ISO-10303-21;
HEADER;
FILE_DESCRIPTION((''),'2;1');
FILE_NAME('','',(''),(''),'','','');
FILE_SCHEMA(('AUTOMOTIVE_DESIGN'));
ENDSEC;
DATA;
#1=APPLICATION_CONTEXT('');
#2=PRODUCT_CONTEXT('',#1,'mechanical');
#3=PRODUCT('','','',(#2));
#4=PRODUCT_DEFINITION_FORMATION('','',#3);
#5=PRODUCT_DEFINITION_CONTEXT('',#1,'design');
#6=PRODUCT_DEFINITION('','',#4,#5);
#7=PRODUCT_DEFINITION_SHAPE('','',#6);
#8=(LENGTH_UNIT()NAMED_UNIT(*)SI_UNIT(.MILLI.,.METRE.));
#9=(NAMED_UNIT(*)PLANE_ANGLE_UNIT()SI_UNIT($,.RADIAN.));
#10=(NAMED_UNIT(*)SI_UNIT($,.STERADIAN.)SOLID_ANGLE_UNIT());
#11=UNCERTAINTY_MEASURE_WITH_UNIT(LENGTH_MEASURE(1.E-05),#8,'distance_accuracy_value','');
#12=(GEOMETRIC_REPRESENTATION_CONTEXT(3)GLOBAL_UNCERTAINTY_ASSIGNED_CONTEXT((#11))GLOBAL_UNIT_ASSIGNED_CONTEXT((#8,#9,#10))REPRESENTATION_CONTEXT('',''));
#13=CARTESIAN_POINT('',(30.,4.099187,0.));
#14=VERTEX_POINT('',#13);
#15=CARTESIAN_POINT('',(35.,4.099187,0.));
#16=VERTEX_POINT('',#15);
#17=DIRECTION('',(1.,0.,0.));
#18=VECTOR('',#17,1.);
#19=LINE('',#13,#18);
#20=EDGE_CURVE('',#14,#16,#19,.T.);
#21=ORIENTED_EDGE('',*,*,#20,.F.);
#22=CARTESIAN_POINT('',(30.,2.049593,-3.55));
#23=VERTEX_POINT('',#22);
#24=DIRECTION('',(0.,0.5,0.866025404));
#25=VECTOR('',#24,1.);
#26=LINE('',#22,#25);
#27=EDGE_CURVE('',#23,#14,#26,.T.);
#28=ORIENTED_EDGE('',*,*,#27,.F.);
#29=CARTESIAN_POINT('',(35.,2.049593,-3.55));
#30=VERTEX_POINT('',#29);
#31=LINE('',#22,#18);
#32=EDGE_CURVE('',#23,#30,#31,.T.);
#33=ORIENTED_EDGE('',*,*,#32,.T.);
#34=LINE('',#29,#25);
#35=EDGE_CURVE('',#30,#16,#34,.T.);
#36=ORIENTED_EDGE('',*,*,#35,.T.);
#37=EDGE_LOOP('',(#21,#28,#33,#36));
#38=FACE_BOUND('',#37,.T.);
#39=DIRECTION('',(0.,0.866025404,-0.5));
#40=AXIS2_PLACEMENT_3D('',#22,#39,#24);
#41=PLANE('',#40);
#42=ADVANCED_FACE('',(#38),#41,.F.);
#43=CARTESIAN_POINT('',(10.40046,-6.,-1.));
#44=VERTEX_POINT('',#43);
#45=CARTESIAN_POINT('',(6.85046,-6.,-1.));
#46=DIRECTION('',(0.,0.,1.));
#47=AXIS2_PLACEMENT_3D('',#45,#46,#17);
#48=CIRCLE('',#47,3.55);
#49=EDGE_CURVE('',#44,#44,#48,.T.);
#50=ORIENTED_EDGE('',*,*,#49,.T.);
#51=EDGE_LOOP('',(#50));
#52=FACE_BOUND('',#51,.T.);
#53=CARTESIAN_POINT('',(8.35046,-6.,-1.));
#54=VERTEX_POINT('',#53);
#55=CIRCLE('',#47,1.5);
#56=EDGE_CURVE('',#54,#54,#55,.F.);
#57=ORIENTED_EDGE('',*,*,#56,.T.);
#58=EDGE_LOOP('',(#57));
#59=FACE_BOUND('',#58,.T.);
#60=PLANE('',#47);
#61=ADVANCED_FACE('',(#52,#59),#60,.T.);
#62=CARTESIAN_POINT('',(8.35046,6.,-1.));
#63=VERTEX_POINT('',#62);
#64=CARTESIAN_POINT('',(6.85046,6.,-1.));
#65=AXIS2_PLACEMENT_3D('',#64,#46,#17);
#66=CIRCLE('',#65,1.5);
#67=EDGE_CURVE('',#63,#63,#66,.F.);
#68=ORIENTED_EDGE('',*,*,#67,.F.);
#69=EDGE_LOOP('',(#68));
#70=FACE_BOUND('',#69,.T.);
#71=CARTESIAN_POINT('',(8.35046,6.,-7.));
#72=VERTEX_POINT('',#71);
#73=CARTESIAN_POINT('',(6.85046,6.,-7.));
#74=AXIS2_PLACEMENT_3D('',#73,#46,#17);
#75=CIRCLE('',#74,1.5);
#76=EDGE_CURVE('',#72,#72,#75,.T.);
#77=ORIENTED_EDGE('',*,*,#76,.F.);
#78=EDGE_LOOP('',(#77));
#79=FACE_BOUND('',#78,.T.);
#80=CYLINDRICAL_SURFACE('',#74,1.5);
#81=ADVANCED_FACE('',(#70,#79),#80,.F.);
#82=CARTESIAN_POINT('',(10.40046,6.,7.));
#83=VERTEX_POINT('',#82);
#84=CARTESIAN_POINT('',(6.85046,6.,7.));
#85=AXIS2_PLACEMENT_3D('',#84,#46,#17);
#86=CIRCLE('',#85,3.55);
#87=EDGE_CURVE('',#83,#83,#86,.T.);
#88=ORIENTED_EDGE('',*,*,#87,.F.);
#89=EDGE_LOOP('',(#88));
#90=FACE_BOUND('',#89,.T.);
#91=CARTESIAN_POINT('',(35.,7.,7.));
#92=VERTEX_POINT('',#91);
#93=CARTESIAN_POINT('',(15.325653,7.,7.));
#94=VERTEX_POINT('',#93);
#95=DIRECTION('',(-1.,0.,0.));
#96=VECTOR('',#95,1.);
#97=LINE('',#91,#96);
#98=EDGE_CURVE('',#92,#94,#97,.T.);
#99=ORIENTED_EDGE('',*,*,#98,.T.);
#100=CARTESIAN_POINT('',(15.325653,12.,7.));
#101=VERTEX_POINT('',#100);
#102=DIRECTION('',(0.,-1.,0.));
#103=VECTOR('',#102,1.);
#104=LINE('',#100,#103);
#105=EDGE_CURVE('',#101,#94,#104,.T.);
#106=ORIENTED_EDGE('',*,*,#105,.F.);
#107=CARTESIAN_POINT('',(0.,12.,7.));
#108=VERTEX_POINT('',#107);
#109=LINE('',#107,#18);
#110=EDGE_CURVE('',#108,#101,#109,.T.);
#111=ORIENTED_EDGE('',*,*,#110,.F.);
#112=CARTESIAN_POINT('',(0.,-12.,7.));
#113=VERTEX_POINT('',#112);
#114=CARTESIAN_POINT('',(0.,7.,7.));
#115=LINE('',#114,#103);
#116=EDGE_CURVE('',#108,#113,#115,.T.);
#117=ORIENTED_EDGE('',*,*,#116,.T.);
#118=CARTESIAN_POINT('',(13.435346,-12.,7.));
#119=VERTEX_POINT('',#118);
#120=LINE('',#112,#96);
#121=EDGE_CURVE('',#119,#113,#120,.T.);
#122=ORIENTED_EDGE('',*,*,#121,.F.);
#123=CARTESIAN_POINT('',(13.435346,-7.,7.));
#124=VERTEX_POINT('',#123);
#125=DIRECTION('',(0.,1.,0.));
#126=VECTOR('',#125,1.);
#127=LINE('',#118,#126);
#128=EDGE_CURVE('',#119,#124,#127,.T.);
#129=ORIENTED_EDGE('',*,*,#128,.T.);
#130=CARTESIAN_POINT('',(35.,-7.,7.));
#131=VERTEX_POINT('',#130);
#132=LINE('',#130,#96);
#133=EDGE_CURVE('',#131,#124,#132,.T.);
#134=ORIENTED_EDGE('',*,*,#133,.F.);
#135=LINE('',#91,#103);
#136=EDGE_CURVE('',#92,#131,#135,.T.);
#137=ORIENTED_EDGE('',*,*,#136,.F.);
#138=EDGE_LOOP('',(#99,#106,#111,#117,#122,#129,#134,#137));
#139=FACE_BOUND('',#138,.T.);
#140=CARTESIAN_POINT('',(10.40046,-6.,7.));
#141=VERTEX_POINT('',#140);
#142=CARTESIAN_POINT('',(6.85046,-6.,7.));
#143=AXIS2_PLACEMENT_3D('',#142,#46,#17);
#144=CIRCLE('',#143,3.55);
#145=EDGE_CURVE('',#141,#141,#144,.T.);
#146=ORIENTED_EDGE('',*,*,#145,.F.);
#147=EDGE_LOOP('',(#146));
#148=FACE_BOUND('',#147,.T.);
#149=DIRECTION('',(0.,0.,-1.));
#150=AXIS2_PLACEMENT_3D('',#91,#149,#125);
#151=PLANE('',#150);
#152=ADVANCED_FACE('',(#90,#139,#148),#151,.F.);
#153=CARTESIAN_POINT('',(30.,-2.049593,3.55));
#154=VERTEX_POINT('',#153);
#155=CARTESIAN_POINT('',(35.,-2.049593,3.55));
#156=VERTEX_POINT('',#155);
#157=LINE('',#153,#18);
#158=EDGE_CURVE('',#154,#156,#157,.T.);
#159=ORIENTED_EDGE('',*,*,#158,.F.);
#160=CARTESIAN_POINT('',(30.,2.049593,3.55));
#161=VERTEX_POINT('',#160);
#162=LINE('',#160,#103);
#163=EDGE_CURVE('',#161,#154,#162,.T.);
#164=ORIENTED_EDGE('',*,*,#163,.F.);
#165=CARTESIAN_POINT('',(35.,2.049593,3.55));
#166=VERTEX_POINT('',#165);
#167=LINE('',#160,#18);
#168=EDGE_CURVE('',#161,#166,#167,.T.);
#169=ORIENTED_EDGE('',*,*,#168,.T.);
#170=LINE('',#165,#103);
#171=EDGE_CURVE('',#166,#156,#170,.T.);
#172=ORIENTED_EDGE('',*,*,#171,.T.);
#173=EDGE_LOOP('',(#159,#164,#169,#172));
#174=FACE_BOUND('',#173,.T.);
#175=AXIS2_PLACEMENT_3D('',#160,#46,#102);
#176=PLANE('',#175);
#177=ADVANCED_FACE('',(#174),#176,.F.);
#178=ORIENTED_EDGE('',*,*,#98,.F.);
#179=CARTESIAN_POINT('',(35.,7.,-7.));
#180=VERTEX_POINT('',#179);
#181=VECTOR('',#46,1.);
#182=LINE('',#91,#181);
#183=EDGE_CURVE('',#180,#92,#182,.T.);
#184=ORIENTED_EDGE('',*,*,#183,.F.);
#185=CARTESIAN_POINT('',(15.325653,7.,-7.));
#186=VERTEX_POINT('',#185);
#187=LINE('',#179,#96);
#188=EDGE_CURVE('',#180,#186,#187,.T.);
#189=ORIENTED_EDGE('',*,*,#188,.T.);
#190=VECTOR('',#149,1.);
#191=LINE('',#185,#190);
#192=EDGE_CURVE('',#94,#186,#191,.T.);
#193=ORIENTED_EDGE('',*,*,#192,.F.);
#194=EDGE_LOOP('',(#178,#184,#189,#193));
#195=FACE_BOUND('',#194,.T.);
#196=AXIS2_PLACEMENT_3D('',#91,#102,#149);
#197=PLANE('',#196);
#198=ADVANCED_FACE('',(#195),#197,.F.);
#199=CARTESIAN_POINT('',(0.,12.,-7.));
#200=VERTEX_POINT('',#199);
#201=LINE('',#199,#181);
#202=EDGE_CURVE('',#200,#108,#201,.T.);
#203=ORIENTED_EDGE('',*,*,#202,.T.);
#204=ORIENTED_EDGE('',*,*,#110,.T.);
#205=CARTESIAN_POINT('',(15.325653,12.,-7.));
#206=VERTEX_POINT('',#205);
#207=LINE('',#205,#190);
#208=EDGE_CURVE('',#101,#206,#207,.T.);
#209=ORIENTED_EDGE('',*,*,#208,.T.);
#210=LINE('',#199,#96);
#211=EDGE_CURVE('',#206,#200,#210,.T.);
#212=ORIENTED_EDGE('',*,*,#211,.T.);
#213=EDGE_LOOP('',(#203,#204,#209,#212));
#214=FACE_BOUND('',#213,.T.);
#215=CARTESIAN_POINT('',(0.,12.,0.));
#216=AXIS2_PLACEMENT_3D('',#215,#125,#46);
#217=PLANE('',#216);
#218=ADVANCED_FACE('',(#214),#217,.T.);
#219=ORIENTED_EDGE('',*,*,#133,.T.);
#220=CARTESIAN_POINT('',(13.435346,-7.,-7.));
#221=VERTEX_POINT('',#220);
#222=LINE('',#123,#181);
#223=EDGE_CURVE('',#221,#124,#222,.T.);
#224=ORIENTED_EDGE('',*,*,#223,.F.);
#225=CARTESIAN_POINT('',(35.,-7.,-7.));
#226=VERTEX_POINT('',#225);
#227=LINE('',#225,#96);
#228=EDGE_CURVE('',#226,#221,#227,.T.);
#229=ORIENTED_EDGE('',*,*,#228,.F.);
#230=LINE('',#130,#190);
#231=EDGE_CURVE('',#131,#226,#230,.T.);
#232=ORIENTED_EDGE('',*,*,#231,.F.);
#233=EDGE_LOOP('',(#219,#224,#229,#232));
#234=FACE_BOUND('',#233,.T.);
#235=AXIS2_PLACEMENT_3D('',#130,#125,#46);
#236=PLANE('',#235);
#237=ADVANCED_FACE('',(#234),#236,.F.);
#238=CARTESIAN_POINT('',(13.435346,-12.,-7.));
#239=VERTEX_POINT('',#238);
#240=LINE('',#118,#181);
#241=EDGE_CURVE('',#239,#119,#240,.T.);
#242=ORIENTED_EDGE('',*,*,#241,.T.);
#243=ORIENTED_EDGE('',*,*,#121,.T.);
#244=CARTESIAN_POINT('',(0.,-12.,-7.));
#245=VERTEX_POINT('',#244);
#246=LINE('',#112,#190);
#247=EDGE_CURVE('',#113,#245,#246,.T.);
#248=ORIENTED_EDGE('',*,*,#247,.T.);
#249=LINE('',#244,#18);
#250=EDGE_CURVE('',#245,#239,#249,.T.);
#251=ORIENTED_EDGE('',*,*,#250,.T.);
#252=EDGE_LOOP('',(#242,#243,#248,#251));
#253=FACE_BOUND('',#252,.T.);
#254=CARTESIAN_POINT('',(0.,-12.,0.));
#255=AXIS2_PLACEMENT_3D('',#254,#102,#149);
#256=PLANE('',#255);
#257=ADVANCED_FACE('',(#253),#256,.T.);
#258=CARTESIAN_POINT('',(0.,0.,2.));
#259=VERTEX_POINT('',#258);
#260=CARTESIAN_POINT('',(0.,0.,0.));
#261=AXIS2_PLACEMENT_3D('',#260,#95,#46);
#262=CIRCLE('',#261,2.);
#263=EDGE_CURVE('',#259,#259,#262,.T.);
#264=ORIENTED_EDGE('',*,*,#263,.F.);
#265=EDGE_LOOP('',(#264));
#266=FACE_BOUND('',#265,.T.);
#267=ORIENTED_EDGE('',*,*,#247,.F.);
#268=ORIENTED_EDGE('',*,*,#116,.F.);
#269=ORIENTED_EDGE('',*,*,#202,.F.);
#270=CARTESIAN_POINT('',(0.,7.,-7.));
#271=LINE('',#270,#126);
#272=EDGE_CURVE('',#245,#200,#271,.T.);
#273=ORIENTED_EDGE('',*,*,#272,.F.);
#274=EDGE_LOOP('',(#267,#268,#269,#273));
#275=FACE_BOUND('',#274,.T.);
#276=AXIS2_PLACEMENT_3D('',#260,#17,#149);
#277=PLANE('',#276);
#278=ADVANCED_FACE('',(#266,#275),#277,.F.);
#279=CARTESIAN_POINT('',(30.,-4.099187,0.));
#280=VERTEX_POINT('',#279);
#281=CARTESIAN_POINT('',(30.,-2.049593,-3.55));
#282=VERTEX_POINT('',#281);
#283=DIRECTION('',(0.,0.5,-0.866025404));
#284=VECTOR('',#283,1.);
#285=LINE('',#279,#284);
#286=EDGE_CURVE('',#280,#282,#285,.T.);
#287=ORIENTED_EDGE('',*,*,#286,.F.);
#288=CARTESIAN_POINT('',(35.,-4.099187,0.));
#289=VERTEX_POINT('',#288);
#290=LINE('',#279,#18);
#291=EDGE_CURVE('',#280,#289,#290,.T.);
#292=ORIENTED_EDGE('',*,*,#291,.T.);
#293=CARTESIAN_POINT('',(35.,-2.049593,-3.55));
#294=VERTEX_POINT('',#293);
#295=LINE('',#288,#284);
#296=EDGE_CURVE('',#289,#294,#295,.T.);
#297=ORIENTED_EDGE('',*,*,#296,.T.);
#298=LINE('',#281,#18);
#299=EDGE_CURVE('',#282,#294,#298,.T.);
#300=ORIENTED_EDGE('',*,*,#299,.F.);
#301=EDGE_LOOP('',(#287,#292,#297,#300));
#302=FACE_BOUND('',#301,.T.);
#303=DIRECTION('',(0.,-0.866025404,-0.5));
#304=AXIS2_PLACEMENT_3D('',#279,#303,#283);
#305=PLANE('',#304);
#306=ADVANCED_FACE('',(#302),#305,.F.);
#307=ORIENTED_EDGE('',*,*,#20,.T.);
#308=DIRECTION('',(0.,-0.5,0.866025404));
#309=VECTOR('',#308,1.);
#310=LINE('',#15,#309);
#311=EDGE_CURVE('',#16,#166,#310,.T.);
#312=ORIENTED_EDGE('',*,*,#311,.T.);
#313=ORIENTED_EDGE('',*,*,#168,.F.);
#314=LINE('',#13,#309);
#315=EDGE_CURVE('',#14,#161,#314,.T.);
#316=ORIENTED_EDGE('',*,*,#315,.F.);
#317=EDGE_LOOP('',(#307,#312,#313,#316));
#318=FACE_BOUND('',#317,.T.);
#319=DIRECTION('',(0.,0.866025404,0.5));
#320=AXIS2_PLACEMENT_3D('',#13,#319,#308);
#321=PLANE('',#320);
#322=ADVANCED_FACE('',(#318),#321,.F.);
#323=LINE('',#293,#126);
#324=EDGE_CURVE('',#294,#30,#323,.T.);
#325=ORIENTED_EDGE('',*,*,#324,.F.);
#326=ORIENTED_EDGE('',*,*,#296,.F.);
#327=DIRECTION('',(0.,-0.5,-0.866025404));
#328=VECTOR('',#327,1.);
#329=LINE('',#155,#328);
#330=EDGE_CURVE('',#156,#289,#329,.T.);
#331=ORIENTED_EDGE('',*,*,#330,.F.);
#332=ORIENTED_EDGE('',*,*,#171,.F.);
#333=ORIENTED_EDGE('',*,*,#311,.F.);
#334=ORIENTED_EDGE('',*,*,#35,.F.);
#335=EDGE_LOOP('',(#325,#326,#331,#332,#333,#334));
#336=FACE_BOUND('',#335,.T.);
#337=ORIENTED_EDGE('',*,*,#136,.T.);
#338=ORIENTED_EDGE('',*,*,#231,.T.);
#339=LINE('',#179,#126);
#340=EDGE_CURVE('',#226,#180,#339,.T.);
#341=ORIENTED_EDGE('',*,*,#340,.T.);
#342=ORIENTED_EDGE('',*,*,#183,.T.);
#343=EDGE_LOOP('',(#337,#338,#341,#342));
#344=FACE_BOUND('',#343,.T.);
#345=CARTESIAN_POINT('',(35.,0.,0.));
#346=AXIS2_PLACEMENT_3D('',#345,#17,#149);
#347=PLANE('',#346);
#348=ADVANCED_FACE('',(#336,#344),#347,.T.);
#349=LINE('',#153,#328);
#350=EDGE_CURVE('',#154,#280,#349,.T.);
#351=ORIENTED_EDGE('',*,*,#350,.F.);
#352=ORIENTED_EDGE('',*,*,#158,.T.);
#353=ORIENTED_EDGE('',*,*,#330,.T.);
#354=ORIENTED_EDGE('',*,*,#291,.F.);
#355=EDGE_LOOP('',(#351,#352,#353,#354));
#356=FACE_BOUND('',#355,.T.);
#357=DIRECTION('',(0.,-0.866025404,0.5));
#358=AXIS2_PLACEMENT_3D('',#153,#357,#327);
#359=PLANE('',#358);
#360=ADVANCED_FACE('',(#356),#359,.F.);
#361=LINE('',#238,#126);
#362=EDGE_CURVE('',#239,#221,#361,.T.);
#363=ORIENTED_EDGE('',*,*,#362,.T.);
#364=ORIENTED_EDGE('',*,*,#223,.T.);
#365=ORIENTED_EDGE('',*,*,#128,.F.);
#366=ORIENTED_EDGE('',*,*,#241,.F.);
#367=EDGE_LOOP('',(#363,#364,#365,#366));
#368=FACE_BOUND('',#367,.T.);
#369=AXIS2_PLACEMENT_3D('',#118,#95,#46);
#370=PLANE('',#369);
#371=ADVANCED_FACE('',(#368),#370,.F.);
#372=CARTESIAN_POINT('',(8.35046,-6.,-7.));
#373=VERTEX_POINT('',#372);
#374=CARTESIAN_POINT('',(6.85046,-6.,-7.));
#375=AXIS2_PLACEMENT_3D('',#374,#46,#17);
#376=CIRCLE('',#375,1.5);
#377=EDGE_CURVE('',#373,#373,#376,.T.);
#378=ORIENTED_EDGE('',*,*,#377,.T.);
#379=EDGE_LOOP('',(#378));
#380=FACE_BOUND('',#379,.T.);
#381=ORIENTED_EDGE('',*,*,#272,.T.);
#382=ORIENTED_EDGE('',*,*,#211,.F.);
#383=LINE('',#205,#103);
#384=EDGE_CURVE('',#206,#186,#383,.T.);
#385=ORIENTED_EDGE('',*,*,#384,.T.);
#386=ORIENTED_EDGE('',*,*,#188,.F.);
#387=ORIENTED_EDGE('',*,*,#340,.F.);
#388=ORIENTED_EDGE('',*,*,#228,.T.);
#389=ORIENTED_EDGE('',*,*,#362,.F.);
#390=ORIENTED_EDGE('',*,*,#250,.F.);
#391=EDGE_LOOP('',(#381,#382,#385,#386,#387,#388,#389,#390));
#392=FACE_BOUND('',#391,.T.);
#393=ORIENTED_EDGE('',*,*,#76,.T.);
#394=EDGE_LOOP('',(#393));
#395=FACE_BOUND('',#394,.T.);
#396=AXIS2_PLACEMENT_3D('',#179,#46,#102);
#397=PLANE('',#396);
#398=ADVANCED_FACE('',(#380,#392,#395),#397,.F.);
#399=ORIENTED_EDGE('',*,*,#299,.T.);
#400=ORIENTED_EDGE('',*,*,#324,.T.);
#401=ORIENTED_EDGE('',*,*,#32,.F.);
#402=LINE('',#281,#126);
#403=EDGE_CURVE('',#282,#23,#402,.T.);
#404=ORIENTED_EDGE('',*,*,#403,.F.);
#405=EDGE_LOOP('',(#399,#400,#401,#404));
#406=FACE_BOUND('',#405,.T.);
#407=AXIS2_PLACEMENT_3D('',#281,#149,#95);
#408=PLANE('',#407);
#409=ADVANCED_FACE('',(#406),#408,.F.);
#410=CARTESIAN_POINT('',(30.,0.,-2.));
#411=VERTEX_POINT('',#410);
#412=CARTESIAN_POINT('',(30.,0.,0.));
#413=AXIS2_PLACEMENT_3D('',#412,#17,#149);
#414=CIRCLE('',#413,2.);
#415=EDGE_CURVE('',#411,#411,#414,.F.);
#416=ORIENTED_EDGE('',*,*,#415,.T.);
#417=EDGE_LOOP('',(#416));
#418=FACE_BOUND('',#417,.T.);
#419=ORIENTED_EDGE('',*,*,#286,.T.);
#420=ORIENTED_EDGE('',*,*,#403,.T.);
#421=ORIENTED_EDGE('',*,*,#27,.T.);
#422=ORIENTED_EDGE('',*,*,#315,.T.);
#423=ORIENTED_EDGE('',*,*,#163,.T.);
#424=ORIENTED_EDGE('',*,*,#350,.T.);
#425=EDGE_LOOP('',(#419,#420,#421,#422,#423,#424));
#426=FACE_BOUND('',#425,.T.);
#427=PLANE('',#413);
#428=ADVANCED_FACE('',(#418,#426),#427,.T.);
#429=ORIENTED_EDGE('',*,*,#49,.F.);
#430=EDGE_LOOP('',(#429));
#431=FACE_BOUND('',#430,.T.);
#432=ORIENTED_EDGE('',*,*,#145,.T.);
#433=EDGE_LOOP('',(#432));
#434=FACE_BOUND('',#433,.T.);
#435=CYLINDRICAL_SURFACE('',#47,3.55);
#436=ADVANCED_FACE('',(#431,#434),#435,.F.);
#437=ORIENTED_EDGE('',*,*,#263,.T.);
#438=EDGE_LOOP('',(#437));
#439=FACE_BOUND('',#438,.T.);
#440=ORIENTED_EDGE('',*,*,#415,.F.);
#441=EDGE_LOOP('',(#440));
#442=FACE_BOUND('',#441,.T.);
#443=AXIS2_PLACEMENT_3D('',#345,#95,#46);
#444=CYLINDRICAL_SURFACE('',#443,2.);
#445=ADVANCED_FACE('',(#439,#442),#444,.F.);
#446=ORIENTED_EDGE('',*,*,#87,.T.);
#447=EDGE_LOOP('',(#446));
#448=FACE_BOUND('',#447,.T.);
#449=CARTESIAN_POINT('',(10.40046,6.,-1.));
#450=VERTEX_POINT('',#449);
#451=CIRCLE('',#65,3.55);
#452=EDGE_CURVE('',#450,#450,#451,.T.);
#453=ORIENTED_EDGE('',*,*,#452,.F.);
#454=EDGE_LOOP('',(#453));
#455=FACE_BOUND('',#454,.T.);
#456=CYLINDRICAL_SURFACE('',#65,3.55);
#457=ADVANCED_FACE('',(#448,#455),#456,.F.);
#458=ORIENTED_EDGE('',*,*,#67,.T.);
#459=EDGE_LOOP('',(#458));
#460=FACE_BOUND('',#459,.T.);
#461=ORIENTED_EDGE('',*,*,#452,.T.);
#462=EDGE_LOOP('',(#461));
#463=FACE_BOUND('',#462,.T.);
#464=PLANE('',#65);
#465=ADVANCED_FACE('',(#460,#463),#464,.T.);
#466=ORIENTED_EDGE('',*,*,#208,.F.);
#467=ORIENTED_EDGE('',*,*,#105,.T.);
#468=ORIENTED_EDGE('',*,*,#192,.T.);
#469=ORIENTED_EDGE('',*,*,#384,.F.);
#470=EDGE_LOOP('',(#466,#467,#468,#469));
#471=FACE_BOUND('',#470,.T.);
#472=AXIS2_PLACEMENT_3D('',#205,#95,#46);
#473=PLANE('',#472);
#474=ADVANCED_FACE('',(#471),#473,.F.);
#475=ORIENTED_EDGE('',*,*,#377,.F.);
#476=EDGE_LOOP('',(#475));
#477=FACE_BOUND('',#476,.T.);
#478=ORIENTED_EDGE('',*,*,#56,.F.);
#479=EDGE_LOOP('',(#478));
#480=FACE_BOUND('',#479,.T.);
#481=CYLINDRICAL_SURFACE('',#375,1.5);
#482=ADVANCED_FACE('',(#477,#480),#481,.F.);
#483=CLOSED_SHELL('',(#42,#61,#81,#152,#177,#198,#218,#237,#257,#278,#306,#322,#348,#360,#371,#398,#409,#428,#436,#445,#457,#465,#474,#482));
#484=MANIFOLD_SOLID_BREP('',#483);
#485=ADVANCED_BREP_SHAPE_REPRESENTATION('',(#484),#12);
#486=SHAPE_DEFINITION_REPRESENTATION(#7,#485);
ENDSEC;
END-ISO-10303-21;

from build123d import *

# Parameters (mm, degrees)
ESQUISSE1_W             = 14
ESQUISSE1_H             = 14
BOSS_EXTRU_1_DEPTH      = 35
ESQUISSE2_R             = 2
ENL_V_MAT_EXTRU_1_DEPTH = 37.373066959
ENL_V_MAT_EXTRU_2_DEPTH = 5
ESQUISSE4_W             = 15.325652572
ESQUISSE4_H             = 14
BOSS_EXTRU_2_DEPTH      = 5
ESQUISSE5_W             = 13.435346111
ESQUISSE5_H             = 14
BOSS_EXTRU_3_DEPTH      = 5
ESQUISSE6_R             = 1.5
ENL_V_MAT_EXTRU_3_DEPTH = 40.56008089
ESQUISSE7_R             = 3.55
ENL_V_MAT_EXTRU_4_DEPTH = 8


with BuildPart() as part:
    # Esquisse1 → Boss.-Extru.1 (new body)
    with BuildSketch(Plane(origin=(0, 0, 0), x_dir=(0, 0, -1), z_dir=(1, 0, 0))):
        Rectangle(ESQUISSE1_W, ESQUISSE1_H)
    extrude(amount=BOSS_EXTRU_1_DEPTH)

    # Esquisse2 → Enlèv. mat.-Extru.1 (cut, through all)
    with BuildSketch(Plane.ZY):
        Circle(ESQUISSE2_R)
    extrude(amount=-ENL_V_MAT_EXTRU_1_DEPTH, mode=Mode.SUBTRACT)

    # Esquisse3 → Enlèv. mat.-Extru.2 (cut)
    with BuildSketch(Plane(origin=(35, 0, 0), x_dir=(0, 0, -1), z_dir=(1, 0, 0))):
        Polygon((3.55, -2.049593456), (3.55, 2.049593456), (0, 4.099186911), (-3.55, 2.049593456), (-3.55, -2.049593456), (0, -4.099186911), align=None)
    extrude(amount=-ENL_V_MAT_EXTRU_2_DEPTH, mode=Mode.SUBTRACT)

    # Esquisse4 → Boss.-Extru.2 (add)
    with BuildSketch(Plane(origin=(0, 7, 0), x_dir=(1, 0, 0), z_dir=(0, 1, 0))):
        with Locations((7.662826286, 0)):
            Rectangle(ESQUISSE4_W, ESQUISSE4_H)
    extrude(amount=BOSS_EXTRU_2_DEPTH)

    # Esquisse5 → Boss.-Extru.3 (add)
    with BuildSketch(Plane.XZ.offset(7)):
        with Locations((6.717673056, 0)):
            Rectangle(ESQUISSE5_W, ESQUISSE5_H)
    extrude(amount=BOSS_EXTRU_3_DEPTH)

    # Esquisse6 → Enlèv. mat.-Extru.3 (cut, through all)
    with BuildSketch(Plane.XY.offset(7)):
        with Locations((6.850460042, 6)):
            Circle(ESQUISSE6_R)
        with Locations((6.850460042, -6)):
            Circle(ESQUISSE6_R)
    extrude(amount=-ENL_V_MAT_EXTRU_3_DEPTH, mode=Mode.SUBTRACT)

    # Esquisse7 → Enlèv. mat.-Extru.4 (cut)
    with BuildSketch(Plane.XY.offset(7)):
        with Locations((6.850460042, 6)):
            Circle(ESQUISSE7_R)
        with Locations((6.850460042, -6)):
            Circle(ESQUISSE7_R)
    extrude(amount=-ENL_V_MAT_EXTRU_4_DEPTH, mode=Mode.SUBTRACT)


solid = part.part
